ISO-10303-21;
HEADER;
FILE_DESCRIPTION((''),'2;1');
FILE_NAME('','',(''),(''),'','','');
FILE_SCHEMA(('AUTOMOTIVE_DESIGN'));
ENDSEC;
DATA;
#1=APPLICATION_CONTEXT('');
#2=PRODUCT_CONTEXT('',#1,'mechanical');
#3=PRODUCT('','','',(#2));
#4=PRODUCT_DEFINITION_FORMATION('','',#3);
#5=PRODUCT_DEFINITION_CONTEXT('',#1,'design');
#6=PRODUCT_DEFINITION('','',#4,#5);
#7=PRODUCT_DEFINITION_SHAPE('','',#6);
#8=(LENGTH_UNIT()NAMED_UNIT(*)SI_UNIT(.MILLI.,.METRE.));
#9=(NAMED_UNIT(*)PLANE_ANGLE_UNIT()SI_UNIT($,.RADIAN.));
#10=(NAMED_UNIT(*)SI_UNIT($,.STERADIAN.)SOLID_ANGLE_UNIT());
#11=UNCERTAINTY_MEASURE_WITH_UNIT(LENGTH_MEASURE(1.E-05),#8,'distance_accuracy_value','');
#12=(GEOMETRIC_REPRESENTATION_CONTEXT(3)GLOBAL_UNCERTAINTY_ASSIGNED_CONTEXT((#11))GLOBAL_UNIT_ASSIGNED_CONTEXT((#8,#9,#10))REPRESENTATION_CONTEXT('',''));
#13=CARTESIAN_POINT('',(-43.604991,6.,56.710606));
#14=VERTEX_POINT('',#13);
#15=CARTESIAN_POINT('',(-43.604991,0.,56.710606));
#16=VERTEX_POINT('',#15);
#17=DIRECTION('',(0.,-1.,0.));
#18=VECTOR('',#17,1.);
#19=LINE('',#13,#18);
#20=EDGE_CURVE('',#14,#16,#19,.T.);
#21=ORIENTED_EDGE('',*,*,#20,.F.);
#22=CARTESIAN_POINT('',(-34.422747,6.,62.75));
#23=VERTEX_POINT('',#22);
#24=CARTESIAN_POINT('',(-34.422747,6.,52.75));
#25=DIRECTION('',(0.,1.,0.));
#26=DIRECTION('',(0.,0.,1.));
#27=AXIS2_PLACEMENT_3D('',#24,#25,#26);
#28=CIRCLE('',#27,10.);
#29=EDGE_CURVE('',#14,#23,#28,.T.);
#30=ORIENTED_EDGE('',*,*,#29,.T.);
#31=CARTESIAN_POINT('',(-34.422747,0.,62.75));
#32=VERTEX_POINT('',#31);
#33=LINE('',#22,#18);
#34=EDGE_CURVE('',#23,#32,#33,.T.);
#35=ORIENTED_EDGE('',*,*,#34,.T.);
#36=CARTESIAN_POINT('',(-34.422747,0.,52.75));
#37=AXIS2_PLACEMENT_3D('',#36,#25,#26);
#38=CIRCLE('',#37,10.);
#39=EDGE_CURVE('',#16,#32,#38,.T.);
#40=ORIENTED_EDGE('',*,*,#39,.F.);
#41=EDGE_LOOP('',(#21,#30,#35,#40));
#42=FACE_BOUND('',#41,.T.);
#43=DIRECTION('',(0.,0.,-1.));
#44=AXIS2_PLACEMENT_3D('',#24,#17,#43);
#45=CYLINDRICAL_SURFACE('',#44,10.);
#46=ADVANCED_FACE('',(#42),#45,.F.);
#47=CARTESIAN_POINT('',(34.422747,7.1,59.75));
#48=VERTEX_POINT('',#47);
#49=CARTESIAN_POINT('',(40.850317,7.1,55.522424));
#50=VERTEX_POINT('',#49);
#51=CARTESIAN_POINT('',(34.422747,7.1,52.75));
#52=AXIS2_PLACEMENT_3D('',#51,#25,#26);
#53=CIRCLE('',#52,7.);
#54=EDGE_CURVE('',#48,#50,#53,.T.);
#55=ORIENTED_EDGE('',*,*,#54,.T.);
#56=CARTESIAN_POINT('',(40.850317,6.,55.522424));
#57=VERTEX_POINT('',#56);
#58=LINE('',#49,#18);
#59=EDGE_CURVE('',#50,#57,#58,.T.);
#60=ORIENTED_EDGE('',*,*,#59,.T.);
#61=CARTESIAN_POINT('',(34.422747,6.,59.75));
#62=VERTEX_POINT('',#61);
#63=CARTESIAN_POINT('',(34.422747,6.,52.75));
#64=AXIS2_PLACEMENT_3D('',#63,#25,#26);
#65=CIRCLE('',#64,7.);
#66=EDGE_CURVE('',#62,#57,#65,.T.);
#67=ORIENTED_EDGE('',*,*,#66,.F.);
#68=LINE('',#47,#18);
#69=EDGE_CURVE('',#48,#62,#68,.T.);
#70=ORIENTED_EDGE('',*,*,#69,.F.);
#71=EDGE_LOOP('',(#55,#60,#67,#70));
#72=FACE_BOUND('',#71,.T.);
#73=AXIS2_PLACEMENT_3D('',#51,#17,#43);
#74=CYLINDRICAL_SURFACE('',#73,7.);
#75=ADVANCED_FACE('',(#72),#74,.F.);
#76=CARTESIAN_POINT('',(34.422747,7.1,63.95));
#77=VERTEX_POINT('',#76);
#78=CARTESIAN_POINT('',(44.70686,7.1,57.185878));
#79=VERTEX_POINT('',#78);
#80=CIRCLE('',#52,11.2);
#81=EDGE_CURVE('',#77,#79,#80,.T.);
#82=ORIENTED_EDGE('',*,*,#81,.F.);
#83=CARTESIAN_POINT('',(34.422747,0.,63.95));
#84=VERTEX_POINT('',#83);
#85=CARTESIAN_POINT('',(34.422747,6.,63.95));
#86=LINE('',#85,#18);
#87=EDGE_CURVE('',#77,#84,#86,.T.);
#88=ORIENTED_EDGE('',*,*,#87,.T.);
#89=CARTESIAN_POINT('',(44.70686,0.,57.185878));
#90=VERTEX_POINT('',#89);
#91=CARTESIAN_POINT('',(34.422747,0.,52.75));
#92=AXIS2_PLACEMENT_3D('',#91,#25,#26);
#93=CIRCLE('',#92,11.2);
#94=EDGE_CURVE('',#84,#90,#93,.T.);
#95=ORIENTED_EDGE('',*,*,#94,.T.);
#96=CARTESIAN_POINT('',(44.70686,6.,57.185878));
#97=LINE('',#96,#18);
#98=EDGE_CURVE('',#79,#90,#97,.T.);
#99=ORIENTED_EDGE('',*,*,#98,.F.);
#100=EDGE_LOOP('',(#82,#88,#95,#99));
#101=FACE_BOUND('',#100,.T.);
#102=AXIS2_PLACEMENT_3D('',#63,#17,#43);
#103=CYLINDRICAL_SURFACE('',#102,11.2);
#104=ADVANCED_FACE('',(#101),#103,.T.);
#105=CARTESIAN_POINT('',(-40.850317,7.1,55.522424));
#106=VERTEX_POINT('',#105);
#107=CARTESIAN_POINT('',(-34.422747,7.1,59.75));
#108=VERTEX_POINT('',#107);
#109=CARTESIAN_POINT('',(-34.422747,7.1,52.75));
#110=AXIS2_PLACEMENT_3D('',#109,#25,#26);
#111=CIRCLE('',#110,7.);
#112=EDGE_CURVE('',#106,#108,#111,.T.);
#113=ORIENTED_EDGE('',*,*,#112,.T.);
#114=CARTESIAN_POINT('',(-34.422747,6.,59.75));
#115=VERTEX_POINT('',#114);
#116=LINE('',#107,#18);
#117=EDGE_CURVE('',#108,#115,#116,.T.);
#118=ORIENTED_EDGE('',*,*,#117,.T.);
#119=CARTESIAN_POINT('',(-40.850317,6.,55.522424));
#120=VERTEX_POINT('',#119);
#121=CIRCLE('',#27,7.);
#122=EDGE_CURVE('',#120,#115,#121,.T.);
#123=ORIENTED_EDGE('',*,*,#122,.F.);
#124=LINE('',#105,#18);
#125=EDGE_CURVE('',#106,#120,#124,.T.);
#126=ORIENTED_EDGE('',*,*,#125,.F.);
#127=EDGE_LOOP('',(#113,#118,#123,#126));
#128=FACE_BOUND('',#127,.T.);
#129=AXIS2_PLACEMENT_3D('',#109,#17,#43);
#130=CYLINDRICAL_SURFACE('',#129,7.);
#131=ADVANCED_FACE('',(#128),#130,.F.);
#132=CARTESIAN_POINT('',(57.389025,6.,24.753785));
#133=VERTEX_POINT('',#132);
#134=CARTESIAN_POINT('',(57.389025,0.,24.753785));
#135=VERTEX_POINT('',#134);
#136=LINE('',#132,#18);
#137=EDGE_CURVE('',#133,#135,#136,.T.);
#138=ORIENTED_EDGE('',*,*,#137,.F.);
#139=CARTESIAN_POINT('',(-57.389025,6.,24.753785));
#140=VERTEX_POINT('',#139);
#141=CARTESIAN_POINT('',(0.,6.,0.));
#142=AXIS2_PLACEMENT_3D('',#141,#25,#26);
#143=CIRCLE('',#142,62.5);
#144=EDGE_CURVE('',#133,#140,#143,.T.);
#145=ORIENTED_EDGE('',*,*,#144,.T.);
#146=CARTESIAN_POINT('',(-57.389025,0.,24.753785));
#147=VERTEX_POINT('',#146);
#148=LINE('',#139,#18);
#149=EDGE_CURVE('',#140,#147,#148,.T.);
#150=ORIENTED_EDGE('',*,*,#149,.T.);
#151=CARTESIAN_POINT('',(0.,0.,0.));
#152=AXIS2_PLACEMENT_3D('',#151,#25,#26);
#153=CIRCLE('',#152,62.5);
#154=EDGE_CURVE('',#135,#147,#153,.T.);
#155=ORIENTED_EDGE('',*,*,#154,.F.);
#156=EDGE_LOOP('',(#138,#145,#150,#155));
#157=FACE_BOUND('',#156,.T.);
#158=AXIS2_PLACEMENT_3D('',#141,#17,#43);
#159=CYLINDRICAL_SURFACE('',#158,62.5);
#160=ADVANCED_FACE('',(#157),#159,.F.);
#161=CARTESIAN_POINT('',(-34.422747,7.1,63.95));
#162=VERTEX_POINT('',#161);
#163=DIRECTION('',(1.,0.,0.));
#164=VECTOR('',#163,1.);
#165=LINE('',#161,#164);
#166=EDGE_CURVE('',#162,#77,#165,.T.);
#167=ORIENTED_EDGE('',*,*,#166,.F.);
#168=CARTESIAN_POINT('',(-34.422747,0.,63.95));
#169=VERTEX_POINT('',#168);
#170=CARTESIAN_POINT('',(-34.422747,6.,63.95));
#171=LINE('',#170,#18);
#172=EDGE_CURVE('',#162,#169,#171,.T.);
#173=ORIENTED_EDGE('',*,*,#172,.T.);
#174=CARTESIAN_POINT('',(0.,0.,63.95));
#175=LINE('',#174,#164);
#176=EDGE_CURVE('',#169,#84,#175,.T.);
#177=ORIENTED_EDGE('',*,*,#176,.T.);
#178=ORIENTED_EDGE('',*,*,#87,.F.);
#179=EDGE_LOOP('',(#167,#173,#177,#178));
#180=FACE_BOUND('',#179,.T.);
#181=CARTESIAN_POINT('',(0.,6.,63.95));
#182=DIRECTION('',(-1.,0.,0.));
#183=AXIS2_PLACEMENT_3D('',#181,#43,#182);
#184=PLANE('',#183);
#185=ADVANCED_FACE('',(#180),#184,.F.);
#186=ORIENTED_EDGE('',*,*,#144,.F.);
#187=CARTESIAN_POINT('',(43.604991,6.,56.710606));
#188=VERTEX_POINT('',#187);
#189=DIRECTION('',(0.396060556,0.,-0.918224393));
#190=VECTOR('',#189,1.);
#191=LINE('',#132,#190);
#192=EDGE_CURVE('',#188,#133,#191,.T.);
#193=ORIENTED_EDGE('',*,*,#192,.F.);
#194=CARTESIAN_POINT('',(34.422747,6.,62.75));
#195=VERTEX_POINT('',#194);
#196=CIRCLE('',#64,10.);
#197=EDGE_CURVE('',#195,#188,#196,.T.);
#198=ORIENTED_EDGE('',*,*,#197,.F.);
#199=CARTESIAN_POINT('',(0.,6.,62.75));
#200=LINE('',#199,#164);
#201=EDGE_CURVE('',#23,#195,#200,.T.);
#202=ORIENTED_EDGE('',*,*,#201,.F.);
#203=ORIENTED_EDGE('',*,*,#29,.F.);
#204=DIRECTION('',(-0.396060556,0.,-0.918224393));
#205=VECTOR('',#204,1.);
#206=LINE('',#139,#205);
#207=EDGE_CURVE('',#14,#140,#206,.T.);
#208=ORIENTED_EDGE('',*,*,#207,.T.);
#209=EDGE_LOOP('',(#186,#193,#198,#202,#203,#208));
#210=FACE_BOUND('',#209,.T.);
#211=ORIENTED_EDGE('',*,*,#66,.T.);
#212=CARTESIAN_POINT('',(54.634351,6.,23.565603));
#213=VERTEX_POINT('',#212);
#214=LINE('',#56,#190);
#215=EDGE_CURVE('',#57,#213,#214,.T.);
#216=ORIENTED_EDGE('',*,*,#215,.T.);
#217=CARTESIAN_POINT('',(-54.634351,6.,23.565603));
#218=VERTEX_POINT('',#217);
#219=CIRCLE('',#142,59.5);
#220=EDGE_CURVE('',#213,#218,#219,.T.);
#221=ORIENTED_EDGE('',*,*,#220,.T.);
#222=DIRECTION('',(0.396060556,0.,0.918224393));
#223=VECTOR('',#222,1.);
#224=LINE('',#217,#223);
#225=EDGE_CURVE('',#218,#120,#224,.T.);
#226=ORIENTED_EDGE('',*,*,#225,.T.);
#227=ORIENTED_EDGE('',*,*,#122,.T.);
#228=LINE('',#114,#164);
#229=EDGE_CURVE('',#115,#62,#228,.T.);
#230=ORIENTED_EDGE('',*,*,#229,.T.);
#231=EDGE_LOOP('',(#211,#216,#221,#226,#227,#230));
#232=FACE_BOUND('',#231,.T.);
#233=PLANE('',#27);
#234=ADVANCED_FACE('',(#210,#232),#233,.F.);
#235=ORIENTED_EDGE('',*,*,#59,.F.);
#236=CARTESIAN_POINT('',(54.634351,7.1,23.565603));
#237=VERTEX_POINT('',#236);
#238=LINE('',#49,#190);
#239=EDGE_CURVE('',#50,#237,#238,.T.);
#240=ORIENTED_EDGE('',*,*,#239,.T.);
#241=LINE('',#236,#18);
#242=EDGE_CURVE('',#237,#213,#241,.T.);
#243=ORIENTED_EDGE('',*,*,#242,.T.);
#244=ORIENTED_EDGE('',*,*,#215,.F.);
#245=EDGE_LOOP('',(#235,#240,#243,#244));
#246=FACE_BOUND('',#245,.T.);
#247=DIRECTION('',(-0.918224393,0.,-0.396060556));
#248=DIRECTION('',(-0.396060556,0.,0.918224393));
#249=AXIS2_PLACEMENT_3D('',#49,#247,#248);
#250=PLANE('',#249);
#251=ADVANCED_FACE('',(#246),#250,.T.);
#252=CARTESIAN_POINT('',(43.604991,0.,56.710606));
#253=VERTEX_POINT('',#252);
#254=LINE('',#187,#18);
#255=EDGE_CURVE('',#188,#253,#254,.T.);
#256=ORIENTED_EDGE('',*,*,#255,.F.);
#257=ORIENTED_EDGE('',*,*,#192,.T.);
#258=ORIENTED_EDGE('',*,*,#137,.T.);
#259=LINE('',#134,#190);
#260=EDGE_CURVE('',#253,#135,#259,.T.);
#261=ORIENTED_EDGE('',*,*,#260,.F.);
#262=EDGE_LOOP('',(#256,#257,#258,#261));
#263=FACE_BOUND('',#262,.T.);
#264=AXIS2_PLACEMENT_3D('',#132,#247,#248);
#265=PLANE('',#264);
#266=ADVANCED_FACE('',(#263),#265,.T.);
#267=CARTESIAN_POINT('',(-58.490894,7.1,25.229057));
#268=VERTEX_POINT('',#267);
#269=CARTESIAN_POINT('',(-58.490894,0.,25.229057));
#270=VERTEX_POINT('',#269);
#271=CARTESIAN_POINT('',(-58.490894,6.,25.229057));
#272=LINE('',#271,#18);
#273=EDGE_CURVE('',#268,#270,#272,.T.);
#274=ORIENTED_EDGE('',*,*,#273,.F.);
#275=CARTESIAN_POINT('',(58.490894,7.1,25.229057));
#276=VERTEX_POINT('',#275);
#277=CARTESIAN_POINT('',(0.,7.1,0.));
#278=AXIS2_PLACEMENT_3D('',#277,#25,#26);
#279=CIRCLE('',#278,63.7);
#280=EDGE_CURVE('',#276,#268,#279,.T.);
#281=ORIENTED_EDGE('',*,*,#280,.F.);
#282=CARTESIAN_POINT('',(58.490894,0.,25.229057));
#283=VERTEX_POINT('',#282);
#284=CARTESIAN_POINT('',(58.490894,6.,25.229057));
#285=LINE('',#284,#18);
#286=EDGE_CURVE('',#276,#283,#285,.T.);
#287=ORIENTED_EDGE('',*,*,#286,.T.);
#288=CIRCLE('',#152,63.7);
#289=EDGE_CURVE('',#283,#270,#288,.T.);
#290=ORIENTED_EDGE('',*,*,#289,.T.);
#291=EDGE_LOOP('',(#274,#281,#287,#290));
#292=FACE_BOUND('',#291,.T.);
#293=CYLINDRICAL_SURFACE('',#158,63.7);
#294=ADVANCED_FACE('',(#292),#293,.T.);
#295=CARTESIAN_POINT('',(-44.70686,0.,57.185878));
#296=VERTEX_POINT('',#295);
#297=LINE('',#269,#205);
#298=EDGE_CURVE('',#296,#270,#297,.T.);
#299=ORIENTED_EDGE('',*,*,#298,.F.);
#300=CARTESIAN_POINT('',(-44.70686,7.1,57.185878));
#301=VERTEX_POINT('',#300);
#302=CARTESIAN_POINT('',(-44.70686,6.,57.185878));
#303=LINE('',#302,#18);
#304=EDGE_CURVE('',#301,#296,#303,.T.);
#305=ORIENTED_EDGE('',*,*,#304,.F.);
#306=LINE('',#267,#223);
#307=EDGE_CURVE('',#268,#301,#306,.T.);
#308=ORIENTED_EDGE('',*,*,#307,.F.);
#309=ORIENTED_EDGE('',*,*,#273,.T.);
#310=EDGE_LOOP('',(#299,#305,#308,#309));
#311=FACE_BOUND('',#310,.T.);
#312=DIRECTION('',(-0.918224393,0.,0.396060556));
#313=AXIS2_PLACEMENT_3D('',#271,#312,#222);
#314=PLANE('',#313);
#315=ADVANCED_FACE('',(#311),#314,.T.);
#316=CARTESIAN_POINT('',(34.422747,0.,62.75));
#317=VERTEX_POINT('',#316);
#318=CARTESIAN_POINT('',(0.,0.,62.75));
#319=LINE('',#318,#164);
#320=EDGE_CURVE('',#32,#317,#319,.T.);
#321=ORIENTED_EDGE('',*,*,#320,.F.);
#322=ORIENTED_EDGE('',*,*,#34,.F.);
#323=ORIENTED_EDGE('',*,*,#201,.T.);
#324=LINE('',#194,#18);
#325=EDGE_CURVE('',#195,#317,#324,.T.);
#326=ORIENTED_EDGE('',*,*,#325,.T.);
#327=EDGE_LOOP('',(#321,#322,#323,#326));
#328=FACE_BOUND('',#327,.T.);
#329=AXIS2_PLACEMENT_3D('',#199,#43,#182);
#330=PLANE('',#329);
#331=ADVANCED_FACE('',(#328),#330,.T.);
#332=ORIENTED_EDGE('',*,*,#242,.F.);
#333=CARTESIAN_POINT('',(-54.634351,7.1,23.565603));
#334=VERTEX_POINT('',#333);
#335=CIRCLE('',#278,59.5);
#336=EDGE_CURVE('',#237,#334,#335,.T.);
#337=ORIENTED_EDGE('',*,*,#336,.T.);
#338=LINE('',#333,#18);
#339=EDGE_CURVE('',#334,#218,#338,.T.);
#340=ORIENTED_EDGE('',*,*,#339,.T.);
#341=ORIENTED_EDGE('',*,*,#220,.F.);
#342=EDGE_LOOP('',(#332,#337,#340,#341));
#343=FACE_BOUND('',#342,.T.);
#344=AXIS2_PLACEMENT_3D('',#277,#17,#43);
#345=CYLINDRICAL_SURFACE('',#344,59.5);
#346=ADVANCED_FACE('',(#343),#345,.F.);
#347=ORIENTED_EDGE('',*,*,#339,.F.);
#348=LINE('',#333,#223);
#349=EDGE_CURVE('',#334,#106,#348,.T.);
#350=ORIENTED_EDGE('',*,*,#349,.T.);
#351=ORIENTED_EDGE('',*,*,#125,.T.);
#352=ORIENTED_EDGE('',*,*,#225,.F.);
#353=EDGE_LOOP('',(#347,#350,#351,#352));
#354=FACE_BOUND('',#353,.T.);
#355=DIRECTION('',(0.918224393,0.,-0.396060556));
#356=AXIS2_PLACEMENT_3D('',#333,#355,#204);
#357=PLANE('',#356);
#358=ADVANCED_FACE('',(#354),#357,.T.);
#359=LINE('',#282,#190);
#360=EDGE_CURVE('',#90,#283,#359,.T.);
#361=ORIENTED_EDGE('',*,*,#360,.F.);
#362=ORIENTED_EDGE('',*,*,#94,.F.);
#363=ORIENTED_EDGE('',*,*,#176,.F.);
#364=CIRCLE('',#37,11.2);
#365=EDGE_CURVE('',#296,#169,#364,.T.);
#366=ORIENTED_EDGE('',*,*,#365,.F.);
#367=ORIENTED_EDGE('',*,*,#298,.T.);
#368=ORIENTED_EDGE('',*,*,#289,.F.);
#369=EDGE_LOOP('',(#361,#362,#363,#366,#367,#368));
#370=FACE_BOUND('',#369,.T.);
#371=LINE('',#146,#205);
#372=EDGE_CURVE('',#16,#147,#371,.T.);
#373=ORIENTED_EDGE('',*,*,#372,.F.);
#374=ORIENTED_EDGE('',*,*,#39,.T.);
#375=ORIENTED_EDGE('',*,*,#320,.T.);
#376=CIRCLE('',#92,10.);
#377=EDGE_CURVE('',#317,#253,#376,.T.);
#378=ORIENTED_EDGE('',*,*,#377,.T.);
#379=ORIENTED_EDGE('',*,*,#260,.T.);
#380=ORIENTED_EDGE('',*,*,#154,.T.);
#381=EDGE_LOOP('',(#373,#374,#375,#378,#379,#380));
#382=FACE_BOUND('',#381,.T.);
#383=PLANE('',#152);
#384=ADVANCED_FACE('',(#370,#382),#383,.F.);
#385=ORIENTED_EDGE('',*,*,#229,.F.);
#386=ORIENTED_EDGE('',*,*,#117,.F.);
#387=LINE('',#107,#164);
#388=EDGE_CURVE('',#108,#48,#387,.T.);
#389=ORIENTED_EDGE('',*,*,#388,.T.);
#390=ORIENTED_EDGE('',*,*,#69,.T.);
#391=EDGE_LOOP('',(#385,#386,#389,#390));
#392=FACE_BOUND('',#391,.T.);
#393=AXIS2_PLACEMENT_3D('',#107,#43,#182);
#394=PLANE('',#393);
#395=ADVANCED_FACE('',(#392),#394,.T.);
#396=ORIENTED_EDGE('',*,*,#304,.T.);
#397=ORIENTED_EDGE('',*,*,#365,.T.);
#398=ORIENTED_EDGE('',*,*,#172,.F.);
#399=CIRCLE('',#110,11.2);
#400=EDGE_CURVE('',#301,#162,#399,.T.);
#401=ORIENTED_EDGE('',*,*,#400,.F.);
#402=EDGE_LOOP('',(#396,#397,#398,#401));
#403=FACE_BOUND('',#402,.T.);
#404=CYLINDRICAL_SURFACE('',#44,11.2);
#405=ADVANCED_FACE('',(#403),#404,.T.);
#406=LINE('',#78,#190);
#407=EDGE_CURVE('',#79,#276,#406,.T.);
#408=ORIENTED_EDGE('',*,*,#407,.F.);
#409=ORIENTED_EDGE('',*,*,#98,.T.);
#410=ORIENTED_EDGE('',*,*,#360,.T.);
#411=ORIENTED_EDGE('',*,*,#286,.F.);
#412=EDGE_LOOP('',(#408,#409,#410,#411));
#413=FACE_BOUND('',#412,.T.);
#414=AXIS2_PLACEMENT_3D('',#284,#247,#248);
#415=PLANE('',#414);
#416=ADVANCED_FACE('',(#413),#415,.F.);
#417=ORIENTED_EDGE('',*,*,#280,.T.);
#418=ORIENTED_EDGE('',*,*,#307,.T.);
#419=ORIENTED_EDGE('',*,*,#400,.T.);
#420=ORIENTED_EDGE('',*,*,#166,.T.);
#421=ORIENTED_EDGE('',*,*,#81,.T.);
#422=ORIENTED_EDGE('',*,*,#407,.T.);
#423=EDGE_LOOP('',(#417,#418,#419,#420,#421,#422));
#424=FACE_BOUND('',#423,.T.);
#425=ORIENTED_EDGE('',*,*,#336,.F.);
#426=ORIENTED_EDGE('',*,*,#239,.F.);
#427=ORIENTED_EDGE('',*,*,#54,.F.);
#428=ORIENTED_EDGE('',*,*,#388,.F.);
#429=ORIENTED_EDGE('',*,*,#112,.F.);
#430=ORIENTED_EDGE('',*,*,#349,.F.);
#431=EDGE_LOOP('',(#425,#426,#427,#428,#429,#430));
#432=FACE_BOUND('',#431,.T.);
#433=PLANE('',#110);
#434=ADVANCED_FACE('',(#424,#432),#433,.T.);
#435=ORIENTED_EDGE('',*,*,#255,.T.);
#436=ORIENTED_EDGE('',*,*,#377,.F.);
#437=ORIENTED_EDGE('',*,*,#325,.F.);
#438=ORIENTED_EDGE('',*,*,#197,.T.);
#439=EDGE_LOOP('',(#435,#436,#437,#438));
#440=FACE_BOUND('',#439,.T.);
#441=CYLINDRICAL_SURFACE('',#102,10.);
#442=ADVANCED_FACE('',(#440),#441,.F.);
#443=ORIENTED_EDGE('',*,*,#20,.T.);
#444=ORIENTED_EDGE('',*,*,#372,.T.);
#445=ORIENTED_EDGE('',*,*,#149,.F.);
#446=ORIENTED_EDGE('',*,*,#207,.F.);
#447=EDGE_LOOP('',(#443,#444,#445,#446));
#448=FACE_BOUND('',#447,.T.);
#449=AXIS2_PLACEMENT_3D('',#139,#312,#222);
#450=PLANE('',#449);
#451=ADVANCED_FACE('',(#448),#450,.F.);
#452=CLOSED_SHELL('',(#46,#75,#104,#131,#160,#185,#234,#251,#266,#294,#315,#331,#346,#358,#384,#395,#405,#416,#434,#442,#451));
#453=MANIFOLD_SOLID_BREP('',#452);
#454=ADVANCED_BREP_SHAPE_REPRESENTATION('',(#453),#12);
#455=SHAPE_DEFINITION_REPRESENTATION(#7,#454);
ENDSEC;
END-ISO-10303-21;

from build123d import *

# Parameters (mm, degrees)
BOSS_EXTRUDE1_DEPTH = 6
BOSS_EXTRUDE2_DEPTH = 1.1


with BuildPart() as part:
    # Sketch1 → Boss-Extrude1 (new body)
    with BuildSketch(Plane(origin=(0, 0, 0), x_dir=(1, 0, 0), z_dir=(0, 1, 0))):
        with BuildLine():
            ThreePointArc((34.422746677, -63.95), (40.577345115, -62.107399108), (44.706859879, -57.185878226))
            Line((44.706859879, -57.185878226), (58.490893839, -25.229057412))
            ThreePointArc((58.490893839, -25.229057412), (0, 63.7), (-58.490893839, -25.229057412))
            Line((-58.490893839, -25.229057412), (-44.706859879, -57.185878226))
            ThreePointArc((-44.706859879, -57.185878226), (-40.577345115, -62.107399108), (-34.422746677, -63.95))
            Line((-34.422746677, -63.95), (34.422746677, -63.95))
        make_face()
        with BuildLine():
            Line((34.422746677, -62.75), (-34.422746677, -62.75))
            ThreePointArc((-34.422746677, -62.75), (-39.917923854, -61.104820632), (-43.604990608, -56.710605559))
            Line((-43.604990608, -56.710605559), (-57.389024568, -24.753784745))
            ThreePointArc((-57.389024568, -24.753784745), (-12.637957994, 61.208921063), (62.5, 0))
            ThreePointArc((62.5, 0), (61.208921063, -12.637957994), (57.389024568, -24.753784745))
            Line((57.389024568, -24.753784745), (43.604990608, -56.710605559))
            ThreePointArc((43.604990608, -56.710605559), (39.917923854, -61.104820632), (34.422746677, -62.75))
        make_face(mode=Mode.SUBTRACT)
    extrude(amount=BOSS_EXTRUDE1_DEPTH)

    # Sketch3 → Boss-Extrude2 (add)
    with BuildSketch(Plane(origin=(0, 6, 0), x_dir=(1, 0, 0), z_dir=(0, 1, 0))):
        with BuildLine():
            Line((-58.490893839, -25.229057412), (-44.706859879, -57.185878226))
            ThreePointArc((-44.706859879, -57.185878226), (-40.577345115, -62.107399108), (-34.422746677, -63.95))
            Line((-34.422746677, -63.95), (34.422746677, -63.95))
            ThreePointArc((34.422746677, -63.95), (40.577345115, -62.107399108), (44.706859879, -57.185878226))
            Line((44.706859879, -57.185878226), (58.490893839, -25.229057412))
            ThreePointArc((58.490893839, -25.229057412), (0, 63.7), (-58.490893839, -25.229057412))
        make_face()
        with BuildLine():
            Line((40.850317428, -55.522423891), (54.634351388, -23.565603077))
            ThreePointArc((54.634351388, -23.565603077), (0, 59.5), (-54.634351388, -23.565603077))
            Line((-54.634351388, -23.565603077), (-40.850317428, -55.522423891))
            ThreePointArc((-40.850317428, -55.522423891), (-38.269370701, -58.598374443), (-34.422746677, -59.75))
            Line((-34.422746677, -59.75), (34.422746677, -59.75))
            ThreePointArc((34.422746677, -59.75), (38.269370701, -58.598374443), (40.850317428, -55.522423891))
        make_face(mode=Mode.SUBTRACT)
    extrude(amount=BOSS_EXTRUDE2_DEPTH)


solid = part.part
